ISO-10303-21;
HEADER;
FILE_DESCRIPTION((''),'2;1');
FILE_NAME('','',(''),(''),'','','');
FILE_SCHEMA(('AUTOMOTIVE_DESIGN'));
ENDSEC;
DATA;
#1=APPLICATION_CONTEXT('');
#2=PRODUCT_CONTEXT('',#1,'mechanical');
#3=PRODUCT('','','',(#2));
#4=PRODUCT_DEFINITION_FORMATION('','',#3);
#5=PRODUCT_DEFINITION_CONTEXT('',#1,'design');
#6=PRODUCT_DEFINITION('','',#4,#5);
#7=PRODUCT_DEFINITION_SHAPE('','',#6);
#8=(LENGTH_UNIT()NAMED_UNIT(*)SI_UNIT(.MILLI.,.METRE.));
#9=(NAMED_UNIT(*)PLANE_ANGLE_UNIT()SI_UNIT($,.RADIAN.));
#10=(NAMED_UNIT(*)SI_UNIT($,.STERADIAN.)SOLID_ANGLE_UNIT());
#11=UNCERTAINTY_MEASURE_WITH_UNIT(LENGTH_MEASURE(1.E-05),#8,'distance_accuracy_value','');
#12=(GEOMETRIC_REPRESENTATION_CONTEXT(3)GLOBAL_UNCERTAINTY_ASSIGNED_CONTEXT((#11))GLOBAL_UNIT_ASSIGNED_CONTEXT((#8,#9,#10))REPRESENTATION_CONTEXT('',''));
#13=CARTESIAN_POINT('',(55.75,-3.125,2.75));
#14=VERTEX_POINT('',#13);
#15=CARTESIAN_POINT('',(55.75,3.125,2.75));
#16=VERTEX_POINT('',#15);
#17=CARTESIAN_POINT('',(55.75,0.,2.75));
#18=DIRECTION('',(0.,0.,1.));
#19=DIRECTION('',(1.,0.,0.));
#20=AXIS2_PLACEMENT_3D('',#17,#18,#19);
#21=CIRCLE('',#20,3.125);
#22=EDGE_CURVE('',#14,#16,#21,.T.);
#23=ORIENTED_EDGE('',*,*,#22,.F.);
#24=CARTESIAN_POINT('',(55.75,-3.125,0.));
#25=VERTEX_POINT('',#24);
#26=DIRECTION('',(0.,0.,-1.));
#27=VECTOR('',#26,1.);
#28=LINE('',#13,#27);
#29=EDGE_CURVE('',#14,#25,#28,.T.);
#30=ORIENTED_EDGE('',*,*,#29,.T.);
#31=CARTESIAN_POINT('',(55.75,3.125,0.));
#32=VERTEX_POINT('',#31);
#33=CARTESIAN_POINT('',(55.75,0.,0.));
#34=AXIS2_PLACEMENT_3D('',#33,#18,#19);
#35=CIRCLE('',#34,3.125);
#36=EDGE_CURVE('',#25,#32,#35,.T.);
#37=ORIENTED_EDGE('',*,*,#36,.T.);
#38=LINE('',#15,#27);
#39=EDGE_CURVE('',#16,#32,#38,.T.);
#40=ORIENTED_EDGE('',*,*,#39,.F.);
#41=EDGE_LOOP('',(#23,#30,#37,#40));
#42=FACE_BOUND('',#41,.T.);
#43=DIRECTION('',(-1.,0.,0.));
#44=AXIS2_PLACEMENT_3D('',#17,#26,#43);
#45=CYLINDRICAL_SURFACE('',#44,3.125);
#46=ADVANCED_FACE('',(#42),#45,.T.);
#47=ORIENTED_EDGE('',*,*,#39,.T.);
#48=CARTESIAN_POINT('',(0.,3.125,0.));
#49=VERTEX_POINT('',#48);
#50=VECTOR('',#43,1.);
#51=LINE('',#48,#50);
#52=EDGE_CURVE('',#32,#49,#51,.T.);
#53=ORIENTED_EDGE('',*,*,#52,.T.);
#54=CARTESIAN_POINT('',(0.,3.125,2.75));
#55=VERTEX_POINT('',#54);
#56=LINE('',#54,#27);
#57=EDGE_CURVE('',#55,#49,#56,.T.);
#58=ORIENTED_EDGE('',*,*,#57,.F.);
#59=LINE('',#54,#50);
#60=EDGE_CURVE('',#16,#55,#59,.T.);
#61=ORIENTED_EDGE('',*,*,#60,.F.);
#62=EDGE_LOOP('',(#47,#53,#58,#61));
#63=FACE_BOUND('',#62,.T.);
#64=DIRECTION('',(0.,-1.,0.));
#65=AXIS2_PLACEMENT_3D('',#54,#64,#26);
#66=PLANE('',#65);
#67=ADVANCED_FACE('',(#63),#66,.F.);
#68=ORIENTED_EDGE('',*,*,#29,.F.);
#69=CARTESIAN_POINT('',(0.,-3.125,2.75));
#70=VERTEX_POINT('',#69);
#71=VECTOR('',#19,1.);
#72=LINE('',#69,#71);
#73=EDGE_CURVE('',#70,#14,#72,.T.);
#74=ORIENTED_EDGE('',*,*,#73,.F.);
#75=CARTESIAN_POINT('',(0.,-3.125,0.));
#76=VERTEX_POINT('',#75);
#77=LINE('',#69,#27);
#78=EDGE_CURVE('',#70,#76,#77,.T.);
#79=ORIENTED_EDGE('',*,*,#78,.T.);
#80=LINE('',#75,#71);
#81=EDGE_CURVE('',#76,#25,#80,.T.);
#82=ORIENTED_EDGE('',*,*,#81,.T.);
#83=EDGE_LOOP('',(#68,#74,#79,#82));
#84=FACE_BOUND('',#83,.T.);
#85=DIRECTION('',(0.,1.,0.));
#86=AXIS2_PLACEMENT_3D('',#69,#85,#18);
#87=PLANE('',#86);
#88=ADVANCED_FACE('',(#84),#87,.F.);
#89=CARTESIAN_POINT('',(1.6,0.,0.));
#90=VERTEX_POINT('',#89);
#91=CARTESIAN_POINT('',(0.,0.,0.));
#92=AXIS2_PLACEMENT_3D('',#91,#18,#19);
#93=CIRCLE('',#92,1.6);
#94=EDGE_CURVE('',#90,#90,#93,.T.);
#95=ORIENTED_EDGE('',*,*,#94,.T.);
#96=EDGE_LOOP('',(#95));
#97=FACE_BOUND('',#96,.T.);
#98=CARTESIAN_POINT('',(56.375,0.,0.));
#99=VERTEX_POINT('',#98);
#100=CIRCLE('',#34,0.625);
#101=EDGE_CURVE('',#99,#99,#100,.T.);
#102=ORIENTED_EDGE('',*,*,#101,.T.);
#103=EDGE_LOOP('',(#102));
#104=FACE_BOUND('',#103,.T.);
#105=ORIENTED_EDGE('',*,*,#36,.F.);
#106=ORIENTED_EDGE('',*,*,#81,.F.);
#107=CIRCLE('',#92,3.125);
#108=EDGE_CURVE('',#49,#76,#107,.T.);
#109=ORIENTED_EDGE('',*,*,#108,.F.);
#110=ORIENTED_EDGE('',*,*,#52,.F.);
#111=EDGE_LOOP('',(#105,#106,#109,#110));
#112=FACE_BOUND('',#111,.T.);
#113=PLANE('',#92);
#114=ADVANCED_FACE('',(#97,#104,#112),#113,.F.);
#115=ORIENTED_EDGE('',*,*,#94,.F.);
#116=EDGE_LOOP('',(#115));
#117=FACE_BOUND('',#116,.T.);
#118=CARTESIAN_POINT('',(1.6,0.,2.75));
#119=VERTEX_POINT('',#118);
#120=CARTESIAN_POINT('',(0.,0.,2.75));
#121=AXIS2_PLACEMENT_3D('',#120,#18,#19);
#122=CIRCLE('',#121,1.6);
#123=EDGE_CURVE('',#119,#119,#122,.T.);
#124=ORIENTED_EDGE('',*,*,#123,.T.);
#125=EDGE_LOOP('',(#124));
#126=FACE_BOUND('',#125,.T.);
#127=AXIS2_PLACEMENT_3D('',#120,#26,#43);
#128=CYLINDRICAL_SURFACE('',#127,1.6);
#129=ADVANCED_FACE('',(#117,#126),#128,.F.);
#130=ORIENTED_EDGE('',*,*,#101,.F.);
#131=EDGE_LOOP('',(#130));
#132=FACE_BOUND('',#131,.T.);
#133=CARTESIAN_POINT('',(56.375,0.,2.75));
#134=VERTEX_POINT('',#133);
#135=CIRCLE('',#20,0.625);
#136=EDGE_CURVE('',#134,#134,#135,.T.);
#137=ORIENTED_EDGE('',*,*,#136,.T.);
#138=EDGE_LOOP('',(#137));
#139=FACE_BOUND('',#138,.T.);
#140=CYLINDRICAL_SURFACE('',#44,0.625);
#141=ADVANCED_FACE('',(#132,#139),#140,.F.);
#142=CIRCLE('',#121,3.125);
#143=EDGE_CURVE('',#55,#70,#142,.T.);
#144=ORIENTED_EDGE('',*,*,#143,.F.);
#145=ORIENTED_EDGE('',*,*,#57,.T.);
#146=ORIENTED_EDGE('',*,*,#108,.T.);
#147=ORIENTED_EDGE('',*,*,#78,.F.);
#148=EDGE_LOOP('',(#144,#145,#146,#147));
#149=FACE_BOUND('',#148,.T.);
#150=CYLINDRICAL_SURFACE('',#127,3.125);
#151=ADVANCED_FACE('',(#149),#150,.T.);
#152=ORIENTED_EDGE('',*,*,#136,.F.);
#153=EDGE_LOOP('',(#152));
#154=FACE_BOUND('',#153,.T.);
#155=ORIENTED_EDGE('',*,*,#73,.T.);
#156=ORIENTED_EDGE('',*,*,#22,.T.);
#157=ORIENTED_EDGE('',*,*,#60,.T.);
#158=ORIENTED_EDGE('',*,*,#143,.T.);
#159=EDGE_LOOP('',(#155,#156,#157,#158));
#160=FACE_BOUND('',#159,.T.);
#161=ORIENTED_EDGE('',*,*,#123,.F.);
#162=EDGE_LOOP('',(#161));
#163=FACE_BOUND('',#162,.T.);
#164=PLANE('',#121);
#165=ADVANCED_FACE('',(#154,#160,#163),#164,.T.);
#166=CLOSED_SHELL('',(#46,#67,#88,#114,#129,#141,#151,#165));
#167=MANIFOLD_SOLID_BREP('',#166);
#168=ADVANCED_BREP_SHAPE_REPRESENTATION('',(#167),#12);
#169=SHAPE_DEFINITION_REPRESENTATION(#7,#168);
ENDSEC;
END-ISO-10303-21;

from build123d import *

# Parameters (mm, degrees)
SKETCH1_R           = 1.6
SKETCH1_R_2         = 0.625
BOSS_EXTRUDE1_DEPTH = 2.75


with BuildPart() as part:
    # Sketch1 → Boss-Extrude1 (new body)
    with BuildSketch(Plane.XY):
        with BuildLine():
            Line((0, 3.125), (55.75, 3.125))
            ThreePointArc((55.75, 3.125), (58.875, 0), (55.75, -3.125))
            Line((55.75, -3.125), (0, -3.125))
            ThreePointArc((0, -3.125), (-3.125, 0), (0, 3.125))
        make_face()
        Circle(SKETCH1_R, mode=Mode.SUBTRACT)
        with Locations((55.75, 0)):
            Circle(SKETCH1_R_2, mode=Mode.SUBTRACT)
    extrude(amount=BOSS_EXTRUDE1_DEPTH)


solid = part.part
